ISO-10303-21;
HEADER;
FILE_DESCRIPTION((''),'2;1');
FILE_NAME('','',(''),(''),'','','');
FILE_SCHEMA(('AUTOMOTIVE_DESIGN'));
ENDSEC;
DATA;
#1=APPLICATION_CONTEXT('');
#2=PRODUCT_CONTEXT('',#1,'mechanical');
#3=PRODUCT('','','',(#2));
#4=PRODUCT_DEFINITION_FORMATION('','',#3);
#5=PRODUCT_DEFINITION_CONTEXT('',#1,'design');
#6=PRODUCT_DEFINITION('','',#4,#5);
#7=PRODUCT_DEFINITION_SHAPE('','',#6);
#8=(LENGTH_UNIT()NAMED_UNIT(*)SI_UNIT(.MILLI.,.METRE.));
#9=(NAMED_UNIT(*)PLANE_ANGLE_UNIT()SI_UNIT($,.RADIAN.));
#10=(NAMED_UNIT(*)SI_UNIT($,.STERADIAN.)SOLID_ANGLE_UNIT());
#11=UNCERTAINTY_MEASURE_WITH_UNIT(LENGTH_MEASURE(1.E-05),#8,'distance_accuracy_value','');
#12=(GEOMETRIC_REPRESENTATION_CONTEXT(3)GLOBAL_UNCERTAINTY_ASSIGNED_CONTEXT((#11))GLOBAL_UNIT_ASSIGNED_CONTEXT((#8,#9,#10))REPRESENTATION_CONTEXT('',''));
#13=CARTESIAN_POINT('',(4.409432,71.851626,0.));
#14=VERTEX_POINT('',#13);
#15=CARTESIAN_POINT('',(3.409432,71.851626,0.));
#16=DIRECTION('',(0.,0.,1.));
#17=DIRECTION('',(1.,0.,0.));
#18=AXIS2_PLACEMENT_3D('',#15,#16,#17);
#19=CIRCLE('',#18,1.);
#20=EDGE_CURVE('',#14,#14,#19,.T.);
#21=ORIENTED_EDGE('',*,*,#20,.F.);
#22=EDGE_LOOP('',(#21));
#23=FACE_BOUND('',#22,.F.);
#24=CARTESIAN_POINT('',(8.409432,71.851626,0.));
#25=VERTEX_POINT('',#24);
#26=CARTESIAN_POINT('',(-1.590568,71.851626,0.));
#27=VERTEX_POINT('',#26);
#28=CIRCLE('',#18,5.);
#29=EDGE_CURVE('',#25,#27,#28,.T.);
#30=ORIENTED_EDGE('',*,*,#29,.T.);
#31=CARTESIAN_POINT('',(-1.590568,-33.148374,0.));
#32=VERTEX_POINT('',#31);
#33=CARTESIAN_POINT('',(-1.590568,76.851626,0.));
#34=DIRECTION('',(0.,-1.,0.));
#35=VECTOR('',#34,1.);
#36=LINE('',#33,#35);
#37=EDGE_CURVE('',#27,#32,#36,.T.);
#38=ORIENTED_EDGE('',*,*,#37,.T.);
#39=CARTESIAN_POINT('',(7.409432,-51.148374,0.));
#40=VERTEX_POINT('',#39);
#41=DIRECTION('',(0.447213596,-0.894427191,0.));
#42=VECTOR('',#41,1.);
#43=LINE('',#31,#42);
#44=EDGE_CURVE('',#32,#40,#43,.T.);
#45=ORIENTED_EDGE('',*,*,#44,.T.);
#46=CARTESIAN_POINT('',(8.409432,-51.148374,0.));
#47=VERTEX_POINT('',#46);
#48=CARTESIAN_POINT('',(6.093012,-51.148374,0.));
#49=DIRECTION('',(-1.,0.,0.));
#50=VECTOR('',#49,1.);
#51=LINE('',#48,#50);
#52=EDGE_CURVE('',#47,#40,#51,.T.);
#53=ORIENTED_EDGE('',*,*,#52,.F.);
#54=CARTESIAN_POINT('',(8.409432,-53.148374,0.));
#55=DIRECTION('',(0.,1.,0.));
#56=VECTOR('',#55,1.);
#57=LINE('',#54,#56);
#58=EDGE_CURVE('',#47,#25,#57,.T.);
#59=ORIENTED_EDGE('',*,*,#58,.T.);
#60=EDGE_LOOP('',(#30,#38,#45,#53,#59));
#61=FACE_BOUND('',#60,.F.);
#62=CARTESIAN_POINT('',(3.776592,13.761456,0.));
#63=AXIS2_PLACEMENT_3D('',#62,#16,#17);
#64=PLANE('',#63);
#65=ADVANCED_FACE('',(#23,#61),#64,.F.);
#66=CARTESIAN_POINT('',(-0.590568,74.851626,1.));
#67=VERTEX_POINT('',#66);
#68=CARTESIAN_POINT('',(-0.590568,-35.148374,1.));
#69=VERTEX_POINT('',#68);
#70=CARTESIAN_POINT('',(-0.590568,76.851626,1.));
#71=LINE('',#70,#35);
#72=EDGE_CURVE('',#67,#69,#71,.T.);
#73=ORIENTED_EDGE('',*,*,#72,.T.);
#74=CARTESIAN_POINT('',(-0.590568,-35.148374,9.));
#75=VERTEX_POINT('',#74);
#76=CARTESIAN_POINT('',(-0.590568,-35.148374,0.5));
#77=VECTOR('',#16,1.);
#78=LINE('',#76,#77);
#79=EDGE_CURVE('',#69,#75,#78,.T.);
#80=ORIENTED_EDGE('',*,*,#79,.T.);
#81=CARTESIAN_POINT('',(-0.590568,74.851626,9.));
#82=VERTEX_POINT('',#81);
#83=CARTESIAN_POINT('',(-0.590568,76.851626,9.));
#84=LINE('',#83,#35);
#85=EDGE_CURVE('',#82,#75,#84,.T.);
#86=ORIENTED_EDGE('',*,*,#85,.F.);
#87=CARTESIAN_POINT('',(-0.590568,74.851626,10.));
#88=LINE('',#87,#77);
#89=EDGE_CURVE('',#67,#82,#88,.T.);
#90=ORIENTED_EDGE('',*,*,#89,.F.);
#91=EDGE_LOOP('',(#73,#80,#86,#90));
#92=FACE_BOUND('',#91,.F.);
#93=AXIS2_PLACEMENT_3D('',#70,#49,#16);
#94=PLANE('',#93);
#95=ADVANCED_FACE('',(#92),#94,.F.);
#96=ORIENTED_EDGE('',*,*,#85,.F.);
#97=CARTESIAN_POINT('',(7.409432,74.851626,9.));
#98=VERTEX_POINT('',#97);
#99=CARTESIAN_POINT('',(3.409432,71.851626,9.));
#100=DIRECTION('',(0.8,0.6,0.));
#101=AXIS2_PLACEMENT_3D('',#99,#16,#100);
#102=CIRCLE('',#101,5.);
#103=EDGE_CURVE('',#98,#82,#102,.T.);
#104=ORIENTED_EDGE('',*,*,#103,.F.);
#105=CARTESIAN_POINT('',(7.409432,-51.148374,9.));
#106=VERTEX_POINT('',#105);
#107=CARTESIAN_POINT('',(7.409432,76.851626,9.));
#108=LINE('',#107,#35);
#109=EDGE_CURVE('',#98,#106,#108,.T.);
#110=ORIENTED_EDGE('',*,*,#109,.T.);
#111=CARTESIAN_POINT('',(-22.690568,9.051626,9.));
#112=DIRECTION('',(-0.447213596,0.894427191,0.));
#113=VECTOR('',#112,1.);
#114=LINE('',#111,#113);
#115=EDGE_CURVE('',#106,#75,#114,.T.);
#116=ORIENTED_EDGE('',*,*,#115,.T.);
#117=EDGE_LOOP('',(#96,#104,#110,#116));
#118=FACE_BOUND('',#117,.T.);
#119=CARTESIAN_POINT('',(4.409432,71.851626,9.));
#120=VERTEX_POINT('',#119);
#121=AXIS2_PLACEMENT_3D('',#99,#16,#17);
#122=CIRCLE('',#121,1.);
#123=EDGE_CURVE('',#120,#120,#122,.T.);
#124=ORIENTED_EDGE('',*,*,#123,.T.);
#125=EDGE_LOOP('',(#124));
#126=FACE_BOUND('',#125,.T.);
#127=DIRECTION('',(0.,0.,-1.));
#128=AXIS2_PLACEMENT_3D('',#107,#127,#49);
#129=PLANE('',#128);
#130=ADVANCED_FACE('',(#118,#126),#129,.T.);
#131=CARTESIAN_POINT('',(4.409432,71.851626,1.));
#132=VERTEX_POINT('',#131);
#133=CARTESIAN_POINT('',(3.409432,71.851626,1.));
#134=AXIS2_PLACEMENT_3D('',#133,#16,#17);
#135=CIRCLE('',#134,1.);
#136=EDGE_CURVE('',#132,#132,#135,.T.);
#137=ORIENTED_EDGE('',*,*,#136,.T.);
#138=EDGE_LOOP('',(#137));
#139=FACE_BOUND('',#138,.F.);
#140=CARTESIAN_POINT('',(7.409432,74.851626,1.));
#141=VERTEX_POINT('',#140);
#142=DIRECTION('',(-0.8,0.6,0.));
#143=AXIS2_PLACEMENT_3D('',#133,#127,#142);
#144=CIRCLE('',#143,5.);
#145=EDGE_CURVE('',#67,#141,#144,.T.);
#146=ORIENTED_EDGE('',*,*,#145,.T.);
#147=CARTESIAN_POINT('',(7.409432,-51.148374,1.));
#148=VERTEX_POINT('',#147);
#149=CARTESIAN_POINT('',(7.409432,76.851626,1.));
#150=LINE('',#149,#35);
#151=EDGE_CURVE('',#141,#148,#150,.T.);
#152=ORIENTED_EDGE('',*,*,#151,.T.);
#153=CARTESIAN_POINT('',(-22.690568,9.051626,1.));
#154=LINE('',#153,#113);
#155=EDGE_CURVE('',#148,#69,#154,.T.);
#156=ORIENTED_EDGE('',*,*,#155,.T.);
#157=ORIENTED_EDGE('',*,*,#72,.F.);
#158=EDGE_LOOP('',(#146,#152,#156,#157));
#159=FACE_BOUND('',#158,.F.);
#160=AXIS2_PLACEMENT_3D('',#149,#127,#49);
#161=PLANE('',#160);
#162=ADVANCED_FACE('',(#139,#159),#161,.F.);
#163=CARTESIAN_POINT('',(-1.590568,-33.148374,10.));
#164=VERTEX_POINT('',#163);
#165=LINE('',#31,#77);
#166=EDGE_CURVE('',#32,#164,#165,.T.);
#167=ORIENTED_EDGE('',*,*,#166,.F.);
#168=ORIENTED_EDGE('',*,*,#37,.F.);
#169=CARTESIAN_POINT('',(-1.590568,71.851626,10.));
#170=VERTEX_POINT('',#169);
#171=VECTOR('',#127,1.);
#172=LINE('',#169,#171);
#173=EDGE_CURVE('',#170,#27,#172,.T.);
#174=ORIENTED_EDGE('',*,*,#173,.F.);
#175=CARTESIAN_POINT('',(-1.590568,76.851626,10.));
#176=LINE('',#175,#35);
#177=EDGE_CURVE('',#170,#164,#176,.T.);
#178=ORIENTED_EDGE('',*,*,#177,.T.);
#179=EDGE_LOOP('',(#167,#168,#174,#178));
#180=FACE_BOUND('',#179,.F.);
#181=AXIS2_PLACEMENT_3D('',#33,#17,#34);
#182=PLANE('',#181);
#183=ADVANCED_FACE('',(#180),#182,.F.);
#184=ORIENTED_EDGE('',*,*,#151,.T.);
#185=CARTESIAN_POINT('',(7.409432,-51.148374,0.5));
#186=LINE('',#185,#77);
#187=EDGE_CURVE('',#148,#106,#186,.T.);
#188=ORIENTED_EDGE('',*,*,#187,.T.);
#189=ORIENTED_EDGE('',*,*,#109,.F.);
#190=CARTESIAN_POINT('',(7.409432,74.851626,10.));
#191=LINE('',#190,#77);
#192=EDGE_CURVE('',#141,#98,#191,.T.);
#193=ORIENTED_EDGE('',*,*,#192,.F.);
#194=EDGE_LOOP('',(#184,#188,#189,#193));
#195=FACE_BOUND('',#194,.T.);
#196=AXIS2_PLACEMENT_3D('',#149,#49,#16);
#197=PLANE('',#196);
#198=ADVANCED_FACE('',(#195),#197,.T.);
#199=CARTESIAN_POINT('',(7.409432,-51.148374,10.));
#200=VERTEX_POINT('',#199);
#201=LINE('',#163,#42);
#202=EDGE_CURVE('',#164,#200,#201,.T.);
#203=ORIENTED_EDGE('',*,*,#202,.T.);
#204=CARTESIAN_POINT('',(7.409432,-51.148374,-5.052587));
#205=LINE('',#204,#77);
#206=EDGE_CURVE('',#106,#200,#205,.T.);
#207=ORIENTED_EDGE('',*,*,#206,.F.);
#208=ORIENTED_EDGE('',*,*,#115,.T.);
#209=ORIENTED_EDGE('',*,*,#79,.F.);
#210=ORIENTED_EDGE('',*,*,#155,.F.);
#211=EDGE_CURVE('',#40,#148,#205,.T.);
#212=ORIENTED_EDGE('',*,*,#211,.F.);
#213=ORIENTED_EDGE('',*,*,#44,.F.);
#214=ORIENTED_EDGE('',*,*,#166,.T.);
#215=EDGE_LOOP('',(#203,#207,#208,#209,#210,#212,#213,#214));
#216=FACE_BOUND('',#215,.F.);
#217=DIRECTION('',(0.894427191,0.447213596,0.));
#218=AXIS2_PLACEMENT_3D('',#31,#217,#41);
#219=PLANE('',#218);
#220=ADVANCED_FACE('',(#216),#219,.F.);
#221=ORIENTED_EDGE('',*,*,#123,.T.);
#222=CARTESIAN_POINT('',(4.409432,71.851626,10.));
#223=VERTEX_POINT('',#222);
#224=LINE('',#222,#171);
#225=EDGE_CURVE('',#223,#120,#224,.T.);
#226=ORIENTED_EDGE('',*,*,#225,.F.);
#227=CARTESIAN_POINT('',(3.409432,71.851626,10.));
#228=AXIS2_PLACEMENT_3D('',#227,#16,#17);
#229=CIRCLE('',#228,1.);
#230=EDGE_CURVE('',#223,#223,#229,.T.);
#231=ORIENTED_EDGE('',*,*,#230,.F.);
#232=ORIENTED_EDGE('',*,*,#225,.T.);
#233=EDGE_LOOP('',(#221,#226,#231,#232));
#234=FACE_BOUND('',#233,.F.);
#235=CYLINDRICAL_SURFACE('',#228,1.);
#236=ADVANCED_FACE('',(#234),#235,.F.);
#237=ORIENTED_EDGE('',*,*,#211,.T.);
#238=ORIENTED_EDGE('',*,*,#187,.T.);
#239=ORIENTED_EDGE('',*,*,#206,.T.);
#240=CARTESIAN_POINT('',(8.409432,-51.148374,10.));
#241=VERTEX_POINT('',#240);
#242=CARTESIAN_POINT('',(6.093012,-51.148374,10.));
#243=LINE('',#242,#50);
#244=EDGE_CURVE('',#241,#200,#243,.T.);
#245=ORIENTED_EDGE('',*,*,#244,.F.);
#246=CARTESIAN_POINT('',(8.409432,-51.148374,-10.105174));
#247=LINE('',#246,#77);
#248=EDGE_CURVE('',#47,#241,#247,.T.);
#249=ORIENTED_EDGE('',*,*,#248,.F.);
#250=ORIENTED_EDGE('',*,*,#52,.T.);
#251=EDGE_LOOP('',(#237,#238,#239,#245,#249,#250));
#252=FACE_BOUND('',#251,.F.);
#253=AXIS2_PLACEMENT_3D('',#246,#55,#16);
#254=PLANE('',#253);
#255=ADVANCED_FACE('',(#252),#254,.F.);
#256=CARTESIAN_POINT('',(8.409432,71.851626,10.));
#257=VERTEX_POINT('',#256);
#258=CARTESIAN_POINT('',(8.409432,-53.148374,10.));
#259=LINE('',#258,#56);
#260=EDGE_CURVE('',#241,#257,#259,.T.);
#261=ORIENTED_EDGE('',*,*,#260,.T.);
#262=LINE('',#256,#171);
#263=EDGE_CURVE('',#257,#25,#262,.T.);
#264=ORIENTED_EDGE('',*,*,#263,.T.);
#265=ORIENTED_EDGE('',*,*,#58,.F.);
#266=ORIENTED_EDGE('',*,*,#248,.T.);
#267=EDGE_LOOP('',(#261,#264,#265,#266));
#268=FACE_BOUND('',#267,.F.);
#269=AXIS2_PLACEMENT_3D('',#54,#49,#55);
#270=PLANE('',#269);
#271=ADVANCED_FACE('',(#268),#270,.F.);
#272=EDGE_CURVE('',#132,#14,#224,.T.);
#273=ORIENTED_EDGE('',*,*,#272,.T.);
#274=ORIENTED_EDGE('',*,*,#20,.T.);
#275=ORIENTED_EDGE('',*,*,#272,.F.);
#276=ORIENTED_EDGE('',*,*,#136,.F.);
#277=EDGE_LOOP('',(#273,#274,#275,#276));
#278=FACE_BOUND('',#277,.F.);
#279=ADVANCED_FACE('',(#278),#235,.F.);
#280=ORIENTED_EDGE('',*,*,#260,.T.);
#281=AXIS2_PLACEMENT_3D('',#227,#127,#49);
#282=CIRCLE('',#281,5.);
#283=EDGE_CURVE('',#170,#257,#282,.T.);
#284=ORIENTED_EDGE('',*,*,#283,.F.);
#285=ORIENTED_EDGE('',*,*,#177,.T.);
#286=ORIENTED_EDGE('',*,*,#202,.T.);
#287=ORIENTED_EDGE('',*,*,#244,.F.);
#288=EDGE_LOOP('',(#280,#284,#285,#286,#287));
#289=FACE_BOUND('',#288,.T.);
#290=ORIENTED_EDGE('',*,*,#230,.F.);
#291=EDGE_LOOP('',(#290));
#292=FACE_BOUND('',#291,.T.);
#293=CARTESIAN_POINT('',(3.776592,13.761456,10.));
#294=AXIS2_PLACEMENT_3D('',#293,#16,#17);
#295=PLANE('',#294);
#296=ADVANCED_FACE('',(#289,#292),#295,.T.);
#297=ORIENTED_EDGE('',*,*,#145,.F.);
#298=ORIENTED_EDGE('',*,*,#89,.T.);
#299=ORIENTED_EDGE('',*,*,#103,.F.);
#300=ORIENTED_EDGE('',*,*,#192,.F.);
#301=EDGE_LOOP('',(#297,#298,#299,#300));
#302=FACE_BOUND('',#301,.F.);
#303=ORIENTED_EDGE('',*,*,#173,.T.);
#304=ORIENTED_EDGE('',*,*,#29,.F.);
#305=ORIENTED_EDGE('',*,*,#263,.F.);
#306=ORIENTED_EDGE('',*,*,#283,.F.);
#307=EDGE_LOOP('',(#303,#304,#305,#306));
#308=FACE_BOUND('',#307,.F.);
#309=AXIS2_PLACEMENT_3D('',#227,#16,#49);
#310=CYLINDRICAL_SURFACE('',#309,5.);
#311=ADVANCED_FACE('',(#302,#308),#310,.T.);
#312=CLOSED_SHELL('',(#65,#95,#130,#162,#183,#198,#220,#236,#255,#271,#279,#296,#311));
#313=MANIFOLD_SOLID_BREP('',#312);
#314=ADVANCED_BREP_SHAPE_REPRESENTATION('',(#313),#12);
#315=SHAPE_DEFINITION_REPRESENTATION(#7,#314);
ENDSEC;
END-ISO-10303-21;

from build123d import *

# Parameters (mm, degrees)
F1_DEPTH = 10
F2_W     = 8
F2_H     = 8
F3_DEPTH = 150
F4_R     = 1
F5_DEPTH = 25
F6_W     = 2
F6_H     = 10
F7_DEPTH = 25


with BuildPart() as f1:
    # F0 (on Top) → F1 (new body)
    with BuildSketch(Plane.XY):
        Polygon((8.409432, 76.851626), (-1.590568, 76.851626), (-1.590568, -33.148374), (8.409432, -53.148374), align=None)
    extrude(amount=F1_DEPTH)

    # F2 (on face) → F3 (cut)
    with BuildSketch(Plane(origin=(0, 76.851626, 0), x_dir=(-1, 0, 0), z_dir=(0, 1, 0))):
        with Locations((-3.409432, 5)):
            Rectangle(F2_W, F2_H)
    extrude(amount=-F3_DEPTH, mode=Mode.SUBTRACT)

    # F4 (on face) → F5 (cut)
    with BuildSketch(Plane.XY.offset(10)):
        with BuildLine():
            ThreePointArc((-1.590568, 71.851626), (3.409432, 76.851626), (8.409432, 71.851626))
            Line((8.409432, 71.851626), (14.622306, 71.851626))
            Line((14.622306, 71.851626), (14.622306, 78.704596))
            Line((14.622306, 78.704596), (-2.961113, 78.068092))
            Line((-2.961113, 78.068092), (-2.736083, 71.851626))
            Line((-2.736083, 71.851626), (-1.590568, 71.851626))
        make_face()
        with Locations((3.409432, 71.851626)):
            Circle(F4_R)
    extrude(amount=-F5_DEPTH, mode=Mode.SUBTRACT)

    # F6 (on face) → F7 (cut)
    with BuildSketch(Plane.YZ.offset(8.409432)):
        Polygon((-51.148374, 19.7851), (-54.233824, 19.7851), (-54.233824, -10.105174), (-51.148374, -10.105174), (-51.148374, 0), (-53.148374, 0), (-53.148374, 10), (-51.148374, 10), align=None)
        with Locations((-52.148374, 5)):
            Rectangle(F6_W, F6_H)
    extrude(amount=-F7_DEPTH, mode=Mode.SUBTRACT)


solid = f1.part
